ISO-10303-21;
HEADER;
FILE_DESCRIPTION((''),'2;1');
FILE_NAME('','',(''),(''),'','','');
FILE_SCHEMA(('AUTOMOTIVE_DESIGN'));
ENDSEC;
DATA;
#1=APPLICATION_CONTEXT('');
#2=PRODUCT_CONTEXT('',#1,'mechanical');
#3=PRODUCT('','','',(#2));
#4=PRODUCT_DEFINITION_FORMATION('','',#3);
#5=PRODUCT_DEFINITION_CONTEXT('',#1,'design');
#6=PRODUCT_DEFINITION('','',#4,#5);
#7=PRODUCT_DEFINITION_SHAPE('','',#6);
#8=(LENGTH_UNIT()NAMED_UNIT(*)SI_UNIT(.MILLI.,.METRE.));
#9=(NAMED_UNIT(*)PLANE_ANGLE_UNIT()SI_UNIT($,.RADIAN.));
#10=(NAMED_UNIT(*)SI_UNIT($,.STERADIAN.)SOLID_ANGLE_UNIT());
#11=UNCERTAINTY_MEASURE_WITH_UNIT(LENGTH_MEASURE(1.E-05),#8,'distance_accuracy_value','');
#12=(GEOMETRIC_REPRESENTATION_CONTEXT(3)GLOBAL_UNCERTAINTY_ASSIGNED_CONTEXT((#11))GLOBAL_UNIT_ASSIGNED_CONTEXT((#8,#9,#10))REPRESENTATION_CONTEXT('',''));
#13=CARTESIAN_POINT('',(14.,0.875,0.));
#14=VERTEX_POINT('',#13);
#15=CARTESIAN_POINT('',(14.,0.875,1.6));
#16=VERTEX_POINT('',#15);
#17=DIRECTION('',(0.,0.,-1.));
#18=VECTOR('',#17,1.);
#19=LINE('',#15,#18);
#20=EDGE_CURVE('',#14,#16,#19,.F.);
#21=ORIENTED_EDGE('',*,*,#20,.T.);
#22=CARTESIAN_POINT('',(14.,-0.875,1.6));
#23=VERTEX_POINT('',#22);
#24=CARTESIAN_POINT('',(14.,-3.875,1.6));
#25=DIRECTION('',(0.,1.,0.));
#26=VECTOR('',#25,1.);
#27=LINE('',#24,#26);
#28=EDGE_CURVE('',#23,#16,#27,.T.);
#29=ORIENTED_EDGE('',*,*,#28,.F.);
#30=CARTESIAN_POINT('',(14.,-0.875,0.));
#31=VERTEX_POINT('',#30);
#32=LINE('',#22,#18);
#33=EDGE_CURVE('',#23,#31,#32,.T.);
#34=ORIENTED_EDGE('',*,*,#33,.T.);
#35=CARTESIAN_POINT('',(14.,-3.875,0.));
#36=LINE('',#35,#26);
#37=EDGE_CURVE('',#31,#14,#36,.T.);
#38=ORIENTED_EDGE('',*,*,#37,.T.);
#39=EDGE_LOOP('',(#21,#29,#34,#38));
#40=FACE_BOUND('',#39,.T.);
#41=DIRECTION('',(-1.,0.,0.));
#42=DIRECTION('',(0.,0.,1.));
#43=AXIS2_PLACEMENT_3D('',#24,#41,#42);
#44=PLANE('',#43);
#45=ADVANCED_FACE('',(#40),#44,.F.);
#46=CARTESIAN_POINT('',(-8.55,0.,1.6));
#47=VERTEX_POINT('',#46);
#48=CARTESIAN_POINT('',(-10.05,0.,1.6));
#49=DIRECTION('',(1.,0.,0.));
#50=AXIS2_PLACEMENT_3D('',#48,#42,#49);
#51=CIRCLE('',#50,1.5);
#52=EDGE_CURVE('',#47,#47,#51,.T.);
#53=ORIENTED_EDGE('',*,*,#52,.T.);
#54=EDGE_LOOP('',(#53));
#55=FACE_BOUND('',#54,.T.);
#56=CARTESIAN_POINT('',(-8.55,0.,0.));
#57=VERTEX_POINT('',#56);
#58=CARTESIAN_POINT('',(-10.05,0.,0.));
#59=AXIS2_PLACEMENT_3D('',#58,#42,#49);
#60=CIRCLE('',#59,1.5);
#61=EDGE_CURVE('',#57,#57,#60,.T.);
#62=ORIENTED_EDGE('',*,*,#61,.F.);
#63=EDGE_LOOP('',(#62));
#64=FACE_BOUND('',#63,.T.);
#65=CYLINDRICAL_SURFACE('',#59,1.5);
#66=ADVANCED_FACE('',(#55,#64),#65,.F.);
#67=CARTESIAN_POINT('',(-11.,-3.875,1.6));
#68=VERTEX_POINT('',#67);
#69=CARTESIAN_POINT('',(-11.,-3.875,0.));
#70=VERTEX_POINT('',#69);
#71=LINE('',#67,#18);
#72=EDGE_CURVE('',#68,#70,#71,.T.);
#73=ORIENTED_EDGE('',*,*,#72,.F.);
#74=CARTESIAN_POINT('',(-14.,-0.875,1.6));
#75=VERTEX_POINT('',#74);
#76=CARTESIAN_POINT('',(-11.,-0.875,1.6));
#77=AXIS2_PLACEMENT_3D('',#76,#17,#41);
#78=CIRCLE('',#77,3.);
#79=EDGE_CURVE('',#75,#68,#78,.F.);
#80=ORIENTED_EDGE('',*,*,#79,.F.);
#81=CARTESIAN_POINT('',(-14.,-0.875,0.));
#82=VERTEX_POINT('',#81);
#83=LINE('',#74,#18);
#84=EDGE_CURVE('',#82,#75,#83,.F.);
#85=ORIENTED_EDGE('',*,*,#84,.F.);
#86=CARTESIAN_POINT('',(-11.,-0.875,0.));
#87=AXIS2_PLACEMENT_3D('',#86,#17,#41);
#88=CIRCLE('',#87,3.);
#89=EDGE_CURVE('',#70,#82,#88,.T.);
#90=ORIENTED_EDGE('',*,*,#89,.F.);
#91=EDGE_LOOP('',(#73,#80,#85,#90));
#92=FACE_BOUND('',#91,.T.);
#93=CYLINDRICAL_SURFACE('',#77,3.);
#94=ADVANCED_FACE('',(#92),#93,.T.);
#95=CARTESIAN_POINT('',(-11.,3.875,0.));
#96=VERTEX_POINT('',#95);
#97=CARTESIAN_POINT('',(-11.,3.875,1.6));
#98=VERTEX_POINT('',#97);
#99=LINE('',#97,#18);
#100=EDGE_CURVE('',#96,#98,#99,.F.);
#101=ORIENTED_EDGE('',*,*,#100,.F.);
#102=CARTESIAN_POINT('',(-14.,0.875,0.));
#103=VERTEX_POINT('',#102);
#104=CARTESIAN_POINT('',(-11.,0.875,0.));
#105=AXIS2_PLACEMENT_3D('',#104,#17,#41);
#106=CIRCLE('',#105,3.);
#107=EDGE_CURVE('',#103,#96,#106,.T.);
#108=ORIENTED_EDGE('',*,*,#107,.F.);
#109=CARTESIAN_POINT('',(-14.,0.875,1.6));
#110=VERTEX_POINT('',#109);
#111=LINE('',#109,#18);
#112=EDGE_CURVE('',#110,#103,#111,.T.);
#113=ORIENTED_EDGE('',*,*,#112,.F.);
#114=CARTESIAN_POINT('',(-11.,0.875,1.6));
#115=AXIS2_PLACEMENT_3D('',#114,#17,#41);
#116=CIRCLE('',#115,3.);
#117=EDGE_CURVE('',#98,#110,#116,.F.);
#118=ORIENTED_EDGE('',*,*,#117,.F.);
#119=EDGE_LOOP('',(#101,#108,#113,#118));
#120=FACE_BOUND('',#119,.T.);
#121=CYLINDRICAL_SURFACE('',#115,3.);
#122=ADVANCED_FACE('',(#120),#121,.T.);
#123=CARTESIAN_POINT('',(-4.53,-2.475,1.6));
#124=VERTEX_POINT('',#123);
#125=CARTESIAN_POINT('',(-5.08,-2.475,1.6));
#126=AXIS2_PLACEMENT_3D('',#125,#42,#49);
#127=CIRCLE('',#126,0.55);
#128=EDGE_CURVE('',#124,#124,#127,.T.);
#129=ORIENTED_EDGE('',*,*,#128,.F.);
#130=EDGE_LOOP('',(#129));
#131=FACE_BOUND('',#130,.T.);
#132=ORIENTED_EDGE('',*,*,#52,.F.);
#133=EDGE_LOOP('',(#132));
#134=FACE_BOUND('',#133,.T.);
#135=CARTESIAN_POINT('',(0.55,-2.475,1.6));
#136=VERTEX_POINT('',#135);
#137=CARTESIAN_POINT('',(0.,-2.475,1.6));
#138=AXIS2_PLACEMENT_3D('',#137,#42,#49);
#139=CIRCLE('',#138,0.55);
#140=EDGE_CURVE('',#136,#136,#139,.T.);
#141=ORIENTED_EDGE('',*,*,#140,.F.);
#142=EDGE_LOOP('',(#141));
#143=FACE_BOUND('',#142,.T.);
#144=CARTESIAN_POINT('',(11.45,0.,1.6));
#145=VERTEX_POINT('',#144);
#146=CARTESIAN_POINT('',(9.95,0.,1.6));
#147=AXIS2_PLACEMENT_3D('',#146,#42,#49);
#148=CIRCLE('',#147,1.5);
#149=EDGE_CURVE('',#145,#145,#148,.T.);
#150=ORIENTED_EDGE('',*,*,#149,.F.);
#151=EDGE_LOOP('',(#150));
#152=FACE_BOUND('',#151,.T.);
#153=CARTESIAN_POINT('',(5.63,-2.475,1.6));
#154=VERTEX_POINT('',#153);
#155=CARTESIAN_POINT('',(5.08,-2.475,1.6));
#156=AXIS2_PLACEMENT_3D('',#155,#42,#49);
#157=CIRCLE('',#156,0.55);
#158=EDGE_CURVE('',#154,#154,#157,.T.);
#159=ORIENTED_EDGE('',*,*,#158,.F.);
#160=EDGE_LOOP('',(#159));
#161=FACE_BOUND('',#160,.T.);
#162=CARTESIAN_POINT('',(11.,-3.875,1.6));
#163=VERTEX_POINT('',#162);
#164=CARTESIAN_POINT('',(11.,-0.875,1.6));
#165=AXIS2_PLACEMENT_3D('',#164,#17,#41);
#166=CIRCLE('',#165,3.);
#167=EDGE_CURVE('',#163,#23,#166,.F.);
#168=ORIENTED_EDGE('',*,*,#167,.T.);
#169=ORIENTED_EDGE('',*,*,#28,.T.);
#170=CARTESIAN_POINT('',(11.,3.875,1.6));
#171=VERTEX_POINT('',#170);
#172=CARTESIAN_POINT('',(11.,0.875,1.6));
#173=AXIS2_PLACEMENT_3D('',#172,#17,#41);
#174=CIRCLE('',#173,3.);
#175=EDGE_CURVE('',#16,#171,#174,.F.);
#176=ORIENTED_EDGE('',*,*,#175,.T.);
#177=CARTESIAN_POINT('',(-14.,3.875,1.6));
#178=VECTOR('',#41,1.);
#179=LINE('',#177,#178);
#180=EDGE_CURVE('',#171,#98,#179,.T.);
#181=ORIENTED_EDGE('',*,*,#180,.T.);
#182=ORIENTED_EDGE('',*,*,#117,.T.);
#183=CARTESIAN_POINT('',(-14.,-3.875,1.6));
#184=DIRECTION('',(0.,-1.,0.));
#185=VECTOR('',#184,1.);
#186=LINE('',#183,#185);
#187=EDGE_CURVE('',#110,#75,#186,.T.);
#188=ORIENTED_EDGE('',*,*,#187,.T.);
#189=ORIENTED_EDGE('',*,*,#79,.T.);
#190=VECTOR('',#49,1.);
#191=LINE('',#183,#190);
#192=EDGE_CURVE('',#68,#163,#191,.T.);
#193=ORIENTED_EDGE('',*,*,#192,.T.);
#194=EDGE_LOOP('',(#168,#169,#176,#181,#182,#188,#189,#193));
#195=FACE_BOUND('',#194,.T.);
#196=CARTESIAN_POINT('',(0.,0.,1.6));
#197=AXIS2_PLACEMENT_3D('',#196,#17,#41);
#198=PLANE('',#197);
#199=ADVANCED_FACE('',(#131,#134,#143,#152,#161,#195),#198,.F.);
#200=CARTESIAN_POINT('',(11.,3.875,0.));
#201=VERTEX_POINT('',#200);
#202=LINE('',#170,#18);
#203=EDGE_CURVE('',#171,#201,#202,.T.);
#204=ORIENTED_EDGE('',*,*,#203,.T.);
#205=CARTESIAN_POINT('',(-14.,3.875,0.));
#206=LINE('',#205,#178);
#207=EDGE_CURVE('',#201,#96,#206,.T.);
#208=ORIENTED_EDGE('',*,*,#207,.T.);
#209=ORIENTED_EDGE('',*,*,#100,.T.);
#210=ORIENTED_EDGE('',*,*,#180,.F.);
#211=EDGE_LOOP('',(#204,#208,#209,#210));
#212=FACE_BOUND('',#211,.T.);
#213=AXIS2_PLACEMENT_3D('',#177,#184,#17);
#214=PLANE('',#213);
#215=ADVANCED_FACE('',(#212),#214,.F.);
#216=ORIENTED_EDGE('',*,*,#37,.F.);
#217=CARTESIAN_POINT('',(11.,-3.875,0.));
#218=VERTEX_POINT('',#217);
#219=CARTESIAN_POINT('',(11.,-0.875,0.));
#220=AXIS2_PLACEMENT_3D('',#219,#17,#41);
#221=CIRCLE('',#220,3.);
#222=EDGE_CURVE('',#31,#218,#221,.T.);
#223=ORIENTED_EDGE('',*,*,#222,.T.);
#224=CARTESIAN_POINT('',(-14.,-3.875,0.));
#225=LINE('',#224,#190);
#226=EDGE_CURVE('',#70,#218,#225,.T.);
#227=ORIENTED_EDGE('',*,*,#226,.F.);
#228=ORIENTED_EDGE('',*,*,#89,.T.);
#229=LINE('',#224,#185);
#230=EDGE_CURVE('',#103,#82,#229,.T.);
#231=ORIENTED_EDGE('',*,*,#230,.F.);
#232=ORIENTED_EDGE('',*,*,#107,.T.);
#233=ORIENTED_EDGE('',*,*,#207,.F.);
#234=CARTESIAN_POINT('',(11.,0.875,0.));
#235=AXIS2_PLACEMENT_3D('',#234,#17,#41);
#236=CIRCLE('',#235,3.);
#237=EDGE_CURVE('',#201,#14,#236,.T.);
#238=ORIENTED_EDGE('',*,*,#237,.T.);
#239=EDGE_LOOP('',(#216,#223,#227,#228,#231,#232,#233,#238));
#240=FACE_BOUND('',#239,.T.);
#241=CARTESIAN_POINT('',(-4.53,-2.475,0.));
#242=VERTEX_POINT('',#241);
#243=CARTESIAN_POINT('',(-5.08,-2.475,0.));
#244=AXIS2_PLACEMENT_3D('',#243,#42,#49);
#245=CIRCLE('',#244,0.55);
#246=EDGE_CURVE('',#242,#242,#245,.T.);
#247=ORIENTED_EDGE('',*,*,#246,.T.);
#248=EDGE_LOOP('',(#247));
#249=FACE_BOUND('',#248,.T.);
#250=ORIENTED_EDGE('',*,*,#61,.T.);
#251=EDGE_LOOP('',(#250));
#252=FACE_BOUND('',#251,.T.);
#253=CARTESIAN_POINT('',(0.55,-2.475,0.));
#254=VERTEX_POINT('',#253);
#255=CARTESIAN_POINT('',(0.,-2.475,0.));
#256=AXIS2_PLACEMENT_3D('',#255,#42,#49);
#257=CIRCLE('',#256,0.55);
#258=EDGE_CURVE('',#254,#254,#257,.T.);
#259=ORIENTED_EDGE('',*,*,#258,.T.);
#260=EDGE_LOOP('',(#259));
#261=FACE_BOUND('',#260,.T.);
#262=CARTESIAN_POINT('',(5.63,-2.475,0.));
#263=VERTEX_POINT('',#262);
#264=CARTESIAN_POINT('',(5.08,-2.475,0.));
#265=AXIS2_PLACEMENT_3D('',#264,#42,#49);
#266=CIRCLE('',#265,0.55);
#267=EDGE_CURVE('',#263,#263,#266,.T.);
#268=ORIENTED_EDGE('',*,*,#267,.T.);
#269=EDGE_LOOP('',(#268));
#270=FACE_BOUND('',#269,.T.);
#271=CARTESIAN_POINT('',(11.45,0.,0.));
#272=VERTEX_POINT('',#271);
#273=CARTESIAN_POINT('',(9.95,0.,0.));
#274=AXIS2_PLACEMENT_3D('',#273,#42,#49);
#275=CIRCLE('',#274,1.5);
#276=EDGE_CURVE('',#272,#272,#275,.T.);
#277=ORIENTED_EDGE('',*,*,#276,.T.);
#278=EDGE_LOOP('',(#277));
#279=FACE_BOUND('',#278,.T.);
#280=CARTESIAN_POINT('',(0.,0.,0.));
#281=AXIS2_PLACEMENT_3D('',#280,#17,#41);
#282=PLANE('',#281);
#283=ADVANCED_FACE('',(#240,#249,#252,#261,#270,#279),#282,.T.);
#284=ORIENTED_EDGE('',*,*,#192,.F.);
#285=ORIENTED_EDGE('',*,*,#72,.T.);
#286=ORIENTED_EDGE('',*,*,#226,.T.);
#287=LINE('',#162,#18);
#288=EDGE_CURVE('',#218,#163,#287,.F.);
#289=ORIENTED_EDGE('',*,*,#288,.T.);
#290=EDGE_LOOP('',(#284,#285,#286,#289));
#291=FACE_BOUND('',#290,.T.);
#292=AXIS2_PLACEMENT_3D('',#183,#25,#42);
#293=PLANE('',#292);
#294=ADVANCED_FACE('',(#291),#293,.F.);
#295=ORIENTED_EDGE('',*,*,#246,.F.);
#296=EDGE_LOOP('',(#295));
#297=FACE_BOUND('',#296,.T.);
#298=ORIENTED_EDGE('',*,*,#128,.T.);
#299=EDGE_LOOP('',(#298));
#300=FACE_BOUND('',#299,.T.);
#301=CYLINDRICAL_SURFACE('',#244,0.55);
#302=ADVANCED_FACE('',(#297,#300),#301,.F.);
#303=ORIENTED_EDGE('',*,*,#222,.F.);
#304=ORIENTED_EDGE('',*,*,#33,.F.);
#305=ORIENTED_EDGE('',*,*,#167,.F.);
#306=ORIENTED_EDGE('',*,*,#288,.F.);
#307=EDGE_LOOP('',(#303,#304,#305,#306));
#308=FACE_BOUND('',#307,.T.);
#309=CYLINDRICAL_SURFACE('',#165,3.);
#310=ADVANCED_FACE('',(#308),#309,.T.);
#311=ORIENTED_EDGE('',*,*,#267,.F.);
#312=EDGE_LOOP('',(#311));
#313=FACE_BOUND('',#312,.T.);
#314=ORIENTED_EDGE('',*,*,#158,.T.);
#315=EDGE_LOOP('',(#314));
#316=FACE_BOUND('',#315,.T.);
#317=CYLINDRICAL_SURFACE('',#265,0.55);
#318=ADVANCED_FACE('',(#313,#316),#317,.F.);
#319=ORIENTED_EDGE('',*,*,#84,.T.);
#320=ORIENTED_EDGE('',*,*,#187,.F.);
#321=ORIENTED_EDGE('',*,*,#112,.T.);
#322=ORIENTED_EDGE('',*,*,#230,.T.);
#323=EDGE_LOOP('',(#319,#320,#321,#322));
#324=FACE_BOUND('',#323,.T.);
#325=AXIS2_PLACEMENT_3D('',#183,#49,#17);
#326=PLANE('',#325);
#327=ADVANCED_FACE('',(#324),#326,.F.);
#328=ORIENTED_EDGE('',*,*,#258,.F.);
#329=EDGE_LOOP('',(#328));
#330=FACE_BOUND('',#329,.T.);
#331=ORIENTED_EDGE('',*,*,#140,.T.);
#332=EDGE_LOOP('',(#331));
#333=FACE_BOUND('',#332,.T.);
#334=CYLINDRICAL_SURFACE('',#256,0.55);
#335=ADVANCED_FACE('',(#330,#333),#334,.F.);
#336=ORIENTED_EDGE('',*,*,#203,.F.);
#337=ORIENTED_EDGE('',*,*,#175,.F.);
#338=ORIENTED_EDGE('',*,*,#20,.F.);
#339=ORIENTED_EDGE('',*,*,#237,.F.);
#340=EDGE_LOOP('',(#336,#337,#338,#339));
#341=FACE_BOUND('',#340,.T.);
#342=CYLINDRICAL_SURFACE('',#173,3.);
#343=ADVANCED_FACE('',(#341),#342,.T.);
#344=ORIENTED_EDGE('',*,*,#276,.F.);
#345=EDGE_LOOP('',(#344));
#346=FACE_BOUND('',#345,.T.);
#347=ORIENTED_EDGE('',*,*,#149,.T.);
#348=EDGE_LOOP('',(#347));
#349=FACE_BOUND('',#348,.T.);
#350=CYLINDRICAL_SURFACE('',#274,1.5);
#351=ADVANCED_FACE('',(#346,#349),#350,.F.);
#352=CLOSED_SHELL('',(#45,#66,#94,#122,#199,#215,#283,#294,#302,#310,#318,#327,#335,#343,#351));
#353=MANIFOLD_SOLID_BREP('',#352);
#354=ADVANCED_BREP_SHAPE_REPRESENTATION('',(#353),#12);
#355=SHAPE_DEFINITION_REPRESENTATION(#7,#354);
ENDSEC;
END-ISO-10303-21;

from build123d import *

# Parameters (mm, degrees)
SKETCH1_W           = 28
SKETCH1_H           = 7.75
BOSS_EXTRUDE1_DEPTH = 1.6
SKETCH2_R           = 1.5
CUT_EXTRUDE1_DEPTH  = 2.6
SKETCH3_R           = 0.55
CUT_EXTRUDE2_DEPTH  = 2.6
FILLET1_R           = 3


with BuildPart() as part:
    # Sketch1 → Boss-Extrude1 (new body)
    with BuildSketch(Plane.XY):
        Rectangle(SKETCH1_W, SKETCH1_H)
    extrude(amount=BOSS_EXTRUDE1_DEPTH)

    # Sketch2 → Cut-Extrude1 (cut, through all)
    with BuildSketch(Plane.XY.offset(1.6)):
        with Locations((-10.05, 0)):
            Circle(SKETCH2_R)
        with Locations((9.95, 0)):
            Circle(SKETCH2_R)
    extrude(amount=-CUT_EXTRUDE1_DEPTH, mode=Mode.SUBTRACT)

    # Sketch3 → Cut-Extrude2 (cut, through all)
    with BuildSketch(Plane.XY.offset(1.6)):
        with Locations((0, -2.475)):
            Circle(SKETCH3_R)
        with Locations((-5.08, -2.475)):
            Circle(SKETCH3_R)
        with Locations((5.08, -2.475)):
            Circle(SKETCH3_R)
    extrude(amount=-CUT_EXTRUDE2_DEPTH, mode=Mode.SUBTRACT)

    # Fillet1
    fillet1_edges = [part.edges().sort_by_distance(p)[0] for p in [
        (14, -3.875, 0.8),
        (-14, -3.875, 0.8),
        (-14, 3.875, 0.8),
        (14, 3.875, 0.8),
    ]]
    fillet(fillet1_edges, radius=FILLET1_R)


solid = part.part
